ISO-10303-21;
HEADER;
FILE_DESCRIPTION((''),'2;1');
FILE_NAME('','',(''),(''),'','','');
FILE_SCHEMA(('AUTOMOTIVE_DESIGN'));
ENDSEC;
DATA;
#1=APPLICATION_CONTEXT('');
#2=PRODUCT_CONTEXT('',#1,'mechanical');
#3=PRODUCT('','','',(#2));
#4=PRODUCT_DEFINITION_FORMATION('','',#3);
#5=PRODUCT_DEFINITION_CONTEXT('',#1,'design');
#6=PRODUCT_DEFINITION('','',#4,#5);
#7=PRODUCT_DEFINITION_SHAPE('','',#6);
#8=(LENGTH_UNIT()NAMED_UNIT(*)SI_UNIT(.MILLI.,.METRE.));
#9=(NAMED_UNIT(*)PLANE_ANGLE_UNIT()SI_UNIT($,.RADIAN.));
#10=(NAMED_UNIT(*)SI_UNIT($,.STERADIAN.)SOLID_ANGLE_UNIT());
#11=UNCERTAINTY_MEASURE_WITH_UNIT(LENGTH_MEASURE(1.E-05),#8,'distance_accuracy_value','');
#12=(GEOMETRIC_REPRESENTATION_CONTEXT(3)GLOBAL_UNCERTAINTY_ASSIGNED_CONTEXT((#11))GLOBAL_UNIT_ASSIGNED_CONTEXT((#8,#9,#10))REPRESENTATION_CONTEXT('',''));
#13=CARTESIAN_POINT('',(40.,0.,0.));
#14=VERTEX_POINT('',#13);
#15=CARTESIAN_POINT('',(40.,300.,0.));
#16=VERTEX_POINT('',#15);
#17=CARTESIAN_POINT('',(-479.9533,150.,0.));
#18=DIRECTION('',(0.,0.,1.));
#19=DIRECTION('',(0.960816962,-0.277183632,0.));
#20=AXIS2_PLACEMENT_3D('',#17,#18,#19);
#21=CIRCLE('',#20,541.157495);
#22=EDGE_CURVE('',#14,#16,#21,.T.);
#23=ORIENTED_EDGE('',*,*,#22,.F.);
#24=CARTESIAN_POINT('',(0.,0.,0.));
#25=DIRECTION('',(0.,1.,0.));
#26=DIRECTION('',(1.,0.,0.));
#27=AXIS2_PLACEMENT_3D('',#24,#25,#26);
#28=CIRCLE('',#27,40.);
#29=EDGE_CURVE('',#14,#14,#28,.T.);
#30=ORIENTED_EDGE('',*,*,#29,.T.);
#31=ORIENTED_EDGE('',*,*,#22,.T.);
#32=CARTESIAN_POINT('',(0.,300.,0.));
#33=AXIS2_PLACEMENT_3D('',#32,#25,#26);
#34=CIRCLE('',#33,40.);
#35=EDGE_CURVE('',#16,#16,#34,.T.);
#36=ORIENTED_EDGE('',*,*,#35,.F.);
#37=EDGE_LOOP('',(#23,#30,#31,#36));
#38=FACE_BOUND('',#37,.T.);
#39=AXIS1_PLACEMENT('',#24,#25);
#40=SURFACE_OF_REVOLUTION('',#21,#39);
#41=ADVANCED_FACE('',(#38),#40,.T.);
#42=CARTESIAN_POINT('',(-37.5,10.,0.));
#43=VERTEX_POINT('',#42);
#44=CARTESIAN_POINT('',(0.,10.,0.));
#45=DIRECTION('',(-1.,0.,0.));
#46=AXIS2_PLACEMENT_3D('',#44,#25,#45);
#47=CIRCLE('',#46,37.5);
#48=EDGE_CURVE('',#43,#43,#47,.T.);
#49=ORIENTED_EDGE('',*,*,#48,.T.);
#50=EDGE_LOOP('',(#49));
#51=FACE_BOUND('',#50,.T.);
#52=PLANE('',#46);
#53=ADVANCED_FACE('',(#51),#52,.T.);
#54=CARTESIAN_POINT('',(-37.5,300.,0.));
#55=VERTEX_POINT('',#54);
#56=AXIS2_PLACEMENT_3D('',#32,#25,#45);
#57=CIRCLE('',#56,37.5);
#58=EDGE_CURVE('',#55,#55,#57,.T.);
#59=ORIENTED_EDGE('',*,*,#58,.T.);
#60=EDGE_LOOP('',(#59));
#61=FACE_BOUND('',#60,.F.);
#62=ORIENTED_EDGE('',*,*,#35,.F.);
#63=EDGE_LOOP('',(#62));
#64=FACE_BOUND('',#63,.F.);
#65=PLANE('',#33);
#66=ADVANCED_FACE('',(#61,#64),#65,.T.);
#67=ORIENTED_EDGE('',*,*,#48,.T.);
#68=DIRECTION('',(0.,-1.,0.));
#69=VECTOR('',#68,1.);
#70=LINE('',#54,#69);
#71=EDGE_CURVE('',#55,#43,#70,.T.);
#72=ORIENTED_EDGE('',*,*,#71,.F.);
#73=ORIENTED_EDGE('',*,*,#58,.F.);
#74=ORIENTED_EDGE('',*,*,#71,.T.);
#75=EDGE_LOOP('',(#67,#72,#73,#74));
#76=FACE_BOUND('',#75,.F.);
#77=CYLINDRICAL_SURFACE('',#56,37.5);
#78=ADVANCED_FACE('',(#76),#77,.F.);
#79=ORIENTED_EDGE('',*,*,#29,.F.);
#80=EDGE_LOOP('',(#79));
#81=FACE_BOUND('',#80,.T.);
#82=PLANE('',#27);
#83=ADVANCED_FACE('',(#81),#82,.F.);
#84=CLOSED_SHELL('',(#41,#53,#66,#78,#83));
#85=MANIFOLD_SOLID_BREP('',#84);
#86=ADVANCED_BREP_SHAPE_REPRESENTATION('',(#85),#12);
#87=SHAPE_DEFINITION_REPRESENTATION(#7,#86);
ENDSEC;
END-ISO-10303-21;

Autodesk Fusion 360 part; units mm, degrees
sketch "Esquisse1" plane through (0, 0, 0) normal (0, 0, 1) x (1, 0, 0)
  line L0 (0, 0) -> (0, 300)
  line L1 (0, 300) -> (40, 300)
  line L2 (0, 0) -> (40, 0)
  arc A0 (40, 0) -> (40, 300) centre (-479.9533, 150) ccw
  line L3 (0, 0) -> (-59.0933, 0)
  line L4 (-59.0933, 0) -> (-59.0933, 300)
  line L5 (-59.0933, 300) -> (0, 300)
  point P0 (0, 300)
  dimension "d1" = 40
  dimension "d2" = 40
revolve "Révolution1" add sketch "Esquisse1" angle 360 about axis through (0, 0, 0) along (0, 1, 0) contours L0 L1 L2 A0
sketch "Esquisse2" plane through (0, 300, 0) normal (0, 1, 0) x (-1, 0, 0)
  circle A0 centre (0, 0) radius 37.5
  circle A1 centre (0, 0) radius 40
  dimension "d4" = 75
extrude "Extrusion1" cut sketch "Esquisse2" against normal blind 290 contours A0
